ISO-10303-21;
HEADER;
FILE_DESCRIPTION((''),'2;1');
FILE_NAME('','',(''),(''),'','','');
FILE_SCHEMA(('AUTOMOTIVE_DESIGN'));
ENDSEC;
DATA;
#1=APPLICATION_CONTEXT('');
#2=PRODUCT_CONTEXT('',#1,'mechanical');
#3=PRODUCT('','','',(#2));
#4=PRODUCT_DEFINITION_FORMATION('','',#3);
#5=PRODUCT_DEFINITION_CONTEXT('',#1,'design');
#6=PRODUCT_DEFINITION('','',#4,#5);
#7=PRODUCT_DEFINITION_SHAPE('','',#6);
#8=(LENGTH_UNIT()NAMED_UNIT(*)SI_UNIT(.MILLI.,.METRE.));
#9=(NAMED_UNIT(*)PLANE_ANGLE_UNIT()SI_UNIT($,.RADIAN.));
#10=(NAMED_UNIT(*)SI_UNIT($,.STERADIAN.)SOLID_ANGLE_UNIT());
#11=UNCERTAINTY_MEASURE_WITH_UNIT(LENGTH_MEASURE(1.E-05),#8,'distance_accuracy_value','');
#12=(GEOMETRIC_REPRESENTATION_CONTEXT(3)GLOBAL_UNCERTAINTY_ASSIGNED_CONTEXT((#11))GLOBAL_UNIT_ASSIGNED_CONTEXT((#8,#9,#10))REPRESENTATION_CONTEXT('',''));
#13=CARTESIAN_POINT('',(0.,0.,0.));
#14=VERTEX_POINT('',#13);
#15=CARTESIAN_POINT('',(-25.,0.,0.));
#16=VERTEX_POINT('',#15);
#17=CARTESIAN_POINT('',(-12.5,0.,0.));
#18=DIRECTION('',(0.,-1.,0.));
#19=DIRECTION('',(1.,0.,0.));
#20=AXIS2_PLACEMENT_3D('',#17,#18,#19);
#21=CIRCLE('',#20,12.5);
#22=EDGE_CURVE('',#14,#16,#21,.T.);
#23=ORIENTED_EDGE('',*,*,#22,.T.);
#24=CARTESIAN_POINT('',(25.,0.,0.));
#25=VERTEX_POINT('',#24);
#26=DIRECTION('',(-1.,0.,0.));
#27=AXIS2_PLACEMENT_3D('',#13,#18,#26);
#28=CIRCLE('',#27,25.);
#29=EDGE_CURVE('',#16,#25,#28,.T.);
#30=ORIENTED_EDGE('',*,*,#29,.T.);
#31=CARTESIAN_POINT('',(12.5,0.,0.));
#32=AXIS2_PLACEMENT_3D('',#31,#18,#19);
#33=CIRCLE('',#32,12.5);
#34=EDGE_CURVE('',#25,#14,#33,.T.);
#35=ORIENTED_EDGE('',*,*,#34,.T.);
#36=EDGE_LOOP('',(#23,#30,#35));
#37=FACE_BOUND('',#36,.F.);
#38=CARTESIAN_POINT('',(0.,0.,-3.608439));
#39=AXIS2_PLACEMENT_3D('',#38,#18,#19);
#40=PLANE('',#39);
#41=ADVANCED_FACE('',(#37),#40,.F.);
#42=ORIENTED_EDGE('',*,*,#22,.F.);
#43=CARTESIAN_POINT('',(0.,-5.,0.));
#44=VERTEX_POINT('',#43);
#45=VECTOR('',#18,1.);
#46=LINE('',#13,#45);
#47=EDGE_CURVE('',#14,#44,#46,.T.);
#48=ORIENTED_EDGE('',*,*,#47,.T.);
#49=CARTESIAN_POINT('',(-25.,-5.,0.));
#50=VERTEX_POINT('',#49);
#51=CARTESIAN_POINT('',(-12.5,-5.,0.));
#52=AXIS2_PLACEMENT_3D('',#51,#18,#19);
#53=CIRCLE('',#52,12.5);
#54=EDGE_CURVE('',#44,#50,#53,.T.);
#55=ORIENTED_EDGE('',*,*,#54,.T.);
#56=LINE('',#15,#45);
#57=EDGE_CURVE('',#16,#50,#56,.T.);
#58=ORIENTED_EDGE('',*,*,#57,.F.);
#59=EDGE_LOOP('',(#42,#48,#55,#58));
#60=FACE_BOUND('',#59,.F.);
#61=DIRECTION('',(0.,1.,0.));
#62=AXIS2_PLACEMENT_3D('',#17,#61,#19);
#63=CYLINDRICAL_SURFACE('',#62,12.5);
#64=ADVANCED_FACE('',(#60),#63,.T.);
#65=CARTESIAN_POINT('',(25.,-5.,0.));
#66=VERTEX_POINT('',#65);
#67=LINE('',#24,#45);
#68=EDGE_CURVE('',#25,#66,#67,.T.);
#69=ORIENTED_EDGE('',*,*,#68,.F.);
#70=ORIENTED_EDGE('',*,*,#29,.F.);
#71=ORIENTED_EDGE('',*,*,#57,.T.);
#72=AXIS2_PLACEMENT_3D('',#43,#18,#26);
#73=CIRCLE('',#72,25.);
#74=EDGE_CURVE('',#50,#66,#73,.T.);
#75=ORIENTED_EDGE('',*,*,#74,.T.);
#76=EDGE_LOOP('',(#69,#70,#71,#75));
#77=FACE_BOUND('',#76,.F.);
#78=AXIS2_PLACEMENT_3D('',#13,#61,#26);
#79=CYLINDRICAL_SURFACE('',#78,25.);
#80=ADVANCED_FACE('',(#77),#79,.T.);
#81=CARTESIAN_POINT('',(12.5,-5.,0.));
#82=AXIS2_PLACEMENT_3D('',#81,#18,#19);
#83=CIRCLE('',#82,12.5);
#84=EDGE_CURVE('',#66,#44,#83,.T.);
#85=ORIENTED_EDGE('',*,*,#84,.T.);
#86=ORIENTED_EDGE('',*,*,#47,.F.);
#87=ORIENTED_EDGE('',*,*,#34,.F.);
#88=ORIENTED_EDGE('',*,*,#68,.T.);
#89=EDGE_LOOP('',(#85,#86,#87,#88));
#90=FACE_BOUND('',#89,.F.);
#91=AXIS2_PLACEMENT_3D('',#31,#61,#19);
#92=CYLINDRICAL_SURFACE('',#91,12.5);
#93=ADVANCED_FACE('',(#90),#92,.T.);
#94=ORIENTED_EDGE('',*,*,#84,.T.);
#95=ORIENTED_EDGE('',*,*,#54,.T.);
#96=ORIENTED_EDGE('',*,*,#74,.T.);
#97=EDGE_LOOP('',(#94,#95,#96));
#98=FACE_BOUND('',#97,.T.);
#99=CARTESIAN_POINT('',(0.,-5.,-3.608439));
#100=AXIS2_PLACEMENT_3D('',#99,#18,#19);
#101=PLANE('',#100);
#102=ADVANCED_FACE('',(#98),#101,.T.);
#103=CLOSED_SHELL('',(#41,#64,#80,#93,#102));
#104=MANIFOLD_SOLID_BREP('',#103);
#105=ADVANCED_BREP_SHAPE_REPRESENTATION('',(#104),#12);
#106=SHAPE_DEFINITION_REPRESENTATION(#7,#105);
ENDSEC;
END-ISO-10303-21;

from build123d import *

# Parameters (mm, degrees)
F1_DEPTH = 5


with BuildPart() as f1:
    # F0 (on Front) → F1 (new body)
    with BuildSketch(Plane.XZ):
        with BuildLine():
            ThreePointArc((0, 0), (-12.5, 12.5), (-25, 0))
            ThreePointArc((-25, 0), (0, -25), (25, 0))
            ThreePointArc((25, 0), (12.5, 12.5), (0, 0))
        make_face()
    extrude(amount=F1_DEPTH)


solid = f1.part
